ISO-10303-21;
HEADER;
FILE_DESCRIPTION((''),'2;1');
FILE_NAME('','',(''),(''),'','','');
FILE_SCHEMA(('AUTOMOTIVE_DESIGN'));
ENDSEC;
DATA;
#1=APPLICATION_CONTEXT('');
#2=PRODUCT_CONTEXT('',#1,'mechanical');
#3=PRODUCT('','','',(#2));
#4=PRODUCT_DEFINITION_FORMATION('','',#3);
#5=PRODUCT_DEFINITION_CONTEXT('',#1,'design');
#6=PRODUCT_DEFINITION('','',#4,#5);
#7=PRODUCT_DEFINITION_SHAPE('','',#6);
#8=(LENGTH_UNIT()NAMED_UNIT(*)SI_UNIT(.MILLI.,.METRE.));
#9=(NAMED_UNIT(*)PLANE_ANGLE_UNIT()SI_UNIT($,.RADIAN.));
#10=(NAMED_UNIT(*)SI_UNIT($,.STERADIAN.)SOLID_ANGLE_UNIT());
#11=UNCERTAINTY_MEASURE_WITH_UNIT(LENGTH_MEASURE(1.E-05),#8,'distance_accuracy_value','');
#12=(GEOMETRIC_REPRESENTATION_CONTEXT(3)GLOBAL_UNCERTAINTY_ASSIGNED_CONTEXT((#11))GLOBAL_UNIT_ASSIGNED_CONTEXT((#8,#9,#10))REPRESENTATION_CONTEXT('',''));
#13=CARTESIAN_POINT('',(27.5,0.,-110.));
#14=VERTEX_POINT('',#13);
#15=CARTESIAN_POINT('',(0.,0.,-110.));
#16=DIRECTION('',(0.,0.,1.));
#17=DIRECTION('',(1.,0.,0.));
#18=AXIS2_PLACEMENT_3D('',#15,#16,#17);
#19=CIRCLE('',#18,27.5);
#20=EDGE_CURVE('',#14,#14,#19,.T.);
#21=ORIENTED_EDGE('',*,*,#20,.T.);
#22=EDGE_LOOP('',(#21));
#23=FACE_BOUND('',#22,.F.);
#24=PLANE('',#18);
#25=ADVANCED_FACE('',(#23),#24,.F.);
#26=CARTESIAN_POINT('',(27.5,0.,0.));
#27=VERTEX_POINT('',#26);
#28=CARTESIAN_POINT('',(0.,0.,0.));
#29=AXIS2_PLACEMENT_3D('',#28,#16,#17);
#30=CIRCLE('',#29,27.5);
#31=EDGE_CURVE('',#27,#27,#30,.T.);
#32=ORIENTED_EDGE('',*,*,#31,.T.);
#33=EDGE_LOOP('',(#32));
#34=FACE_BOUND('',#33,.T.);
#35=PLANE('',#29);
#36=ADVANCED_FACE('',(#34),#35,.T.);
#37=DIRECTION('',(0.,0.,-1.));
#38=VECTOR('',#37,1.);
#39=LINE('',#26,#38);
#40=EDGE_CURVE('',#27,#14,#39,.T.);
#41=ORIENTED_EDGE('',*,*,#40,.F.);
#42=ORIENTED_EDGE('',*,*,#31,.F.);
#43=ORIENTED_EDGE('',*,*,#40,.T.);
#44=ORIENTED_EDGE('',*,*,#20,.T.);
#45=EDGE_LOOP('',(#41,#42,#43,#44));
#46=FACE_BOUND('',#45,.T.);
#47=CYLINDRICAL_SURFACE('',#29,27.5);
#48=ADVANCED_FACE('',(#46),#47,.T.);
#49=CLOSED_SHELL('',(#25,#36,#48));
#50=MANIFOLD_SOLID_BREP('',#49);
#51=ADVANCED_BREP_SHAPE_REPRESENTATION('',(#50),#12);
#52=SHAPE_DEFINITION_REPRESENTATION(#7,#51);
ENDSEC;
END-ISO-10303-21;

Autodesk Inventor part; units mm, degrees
ref_plane "YZ Plane" through (0, 0, 0) normal (1, 0, 0) x (0, 1, 0)
ref_plane "XZ Plane" through (0, 0, 0) normal (0, 1, 0) x (-1, 0, 0)
ref_plane "XY Plane" through (0, 0, 0) normal (0, 0, 1) x (1, 0, 0)
sketch "Sketch1" plane through (0, 0, 0) normal (0, 0, 1) x (1, 0, 0)
  circle A0 centre (0, 0) radius 27.5 projected
extrude "Extrusion1" add sketch "Sketch1" against normal blind 110
sketch "Sketch2" plane through (0, 0, 0) normal (0, 0, 1) x (1, 0, 0)
  circle A0 centre (0, 0) radius 15
  dimension "d2" = 30
extrude "Extrusion2" add sketch "Sketch2" against normal blind 5
chamfer "Chamfer1" [suppressed]
properties part number "PistonRod" material "Steel"
